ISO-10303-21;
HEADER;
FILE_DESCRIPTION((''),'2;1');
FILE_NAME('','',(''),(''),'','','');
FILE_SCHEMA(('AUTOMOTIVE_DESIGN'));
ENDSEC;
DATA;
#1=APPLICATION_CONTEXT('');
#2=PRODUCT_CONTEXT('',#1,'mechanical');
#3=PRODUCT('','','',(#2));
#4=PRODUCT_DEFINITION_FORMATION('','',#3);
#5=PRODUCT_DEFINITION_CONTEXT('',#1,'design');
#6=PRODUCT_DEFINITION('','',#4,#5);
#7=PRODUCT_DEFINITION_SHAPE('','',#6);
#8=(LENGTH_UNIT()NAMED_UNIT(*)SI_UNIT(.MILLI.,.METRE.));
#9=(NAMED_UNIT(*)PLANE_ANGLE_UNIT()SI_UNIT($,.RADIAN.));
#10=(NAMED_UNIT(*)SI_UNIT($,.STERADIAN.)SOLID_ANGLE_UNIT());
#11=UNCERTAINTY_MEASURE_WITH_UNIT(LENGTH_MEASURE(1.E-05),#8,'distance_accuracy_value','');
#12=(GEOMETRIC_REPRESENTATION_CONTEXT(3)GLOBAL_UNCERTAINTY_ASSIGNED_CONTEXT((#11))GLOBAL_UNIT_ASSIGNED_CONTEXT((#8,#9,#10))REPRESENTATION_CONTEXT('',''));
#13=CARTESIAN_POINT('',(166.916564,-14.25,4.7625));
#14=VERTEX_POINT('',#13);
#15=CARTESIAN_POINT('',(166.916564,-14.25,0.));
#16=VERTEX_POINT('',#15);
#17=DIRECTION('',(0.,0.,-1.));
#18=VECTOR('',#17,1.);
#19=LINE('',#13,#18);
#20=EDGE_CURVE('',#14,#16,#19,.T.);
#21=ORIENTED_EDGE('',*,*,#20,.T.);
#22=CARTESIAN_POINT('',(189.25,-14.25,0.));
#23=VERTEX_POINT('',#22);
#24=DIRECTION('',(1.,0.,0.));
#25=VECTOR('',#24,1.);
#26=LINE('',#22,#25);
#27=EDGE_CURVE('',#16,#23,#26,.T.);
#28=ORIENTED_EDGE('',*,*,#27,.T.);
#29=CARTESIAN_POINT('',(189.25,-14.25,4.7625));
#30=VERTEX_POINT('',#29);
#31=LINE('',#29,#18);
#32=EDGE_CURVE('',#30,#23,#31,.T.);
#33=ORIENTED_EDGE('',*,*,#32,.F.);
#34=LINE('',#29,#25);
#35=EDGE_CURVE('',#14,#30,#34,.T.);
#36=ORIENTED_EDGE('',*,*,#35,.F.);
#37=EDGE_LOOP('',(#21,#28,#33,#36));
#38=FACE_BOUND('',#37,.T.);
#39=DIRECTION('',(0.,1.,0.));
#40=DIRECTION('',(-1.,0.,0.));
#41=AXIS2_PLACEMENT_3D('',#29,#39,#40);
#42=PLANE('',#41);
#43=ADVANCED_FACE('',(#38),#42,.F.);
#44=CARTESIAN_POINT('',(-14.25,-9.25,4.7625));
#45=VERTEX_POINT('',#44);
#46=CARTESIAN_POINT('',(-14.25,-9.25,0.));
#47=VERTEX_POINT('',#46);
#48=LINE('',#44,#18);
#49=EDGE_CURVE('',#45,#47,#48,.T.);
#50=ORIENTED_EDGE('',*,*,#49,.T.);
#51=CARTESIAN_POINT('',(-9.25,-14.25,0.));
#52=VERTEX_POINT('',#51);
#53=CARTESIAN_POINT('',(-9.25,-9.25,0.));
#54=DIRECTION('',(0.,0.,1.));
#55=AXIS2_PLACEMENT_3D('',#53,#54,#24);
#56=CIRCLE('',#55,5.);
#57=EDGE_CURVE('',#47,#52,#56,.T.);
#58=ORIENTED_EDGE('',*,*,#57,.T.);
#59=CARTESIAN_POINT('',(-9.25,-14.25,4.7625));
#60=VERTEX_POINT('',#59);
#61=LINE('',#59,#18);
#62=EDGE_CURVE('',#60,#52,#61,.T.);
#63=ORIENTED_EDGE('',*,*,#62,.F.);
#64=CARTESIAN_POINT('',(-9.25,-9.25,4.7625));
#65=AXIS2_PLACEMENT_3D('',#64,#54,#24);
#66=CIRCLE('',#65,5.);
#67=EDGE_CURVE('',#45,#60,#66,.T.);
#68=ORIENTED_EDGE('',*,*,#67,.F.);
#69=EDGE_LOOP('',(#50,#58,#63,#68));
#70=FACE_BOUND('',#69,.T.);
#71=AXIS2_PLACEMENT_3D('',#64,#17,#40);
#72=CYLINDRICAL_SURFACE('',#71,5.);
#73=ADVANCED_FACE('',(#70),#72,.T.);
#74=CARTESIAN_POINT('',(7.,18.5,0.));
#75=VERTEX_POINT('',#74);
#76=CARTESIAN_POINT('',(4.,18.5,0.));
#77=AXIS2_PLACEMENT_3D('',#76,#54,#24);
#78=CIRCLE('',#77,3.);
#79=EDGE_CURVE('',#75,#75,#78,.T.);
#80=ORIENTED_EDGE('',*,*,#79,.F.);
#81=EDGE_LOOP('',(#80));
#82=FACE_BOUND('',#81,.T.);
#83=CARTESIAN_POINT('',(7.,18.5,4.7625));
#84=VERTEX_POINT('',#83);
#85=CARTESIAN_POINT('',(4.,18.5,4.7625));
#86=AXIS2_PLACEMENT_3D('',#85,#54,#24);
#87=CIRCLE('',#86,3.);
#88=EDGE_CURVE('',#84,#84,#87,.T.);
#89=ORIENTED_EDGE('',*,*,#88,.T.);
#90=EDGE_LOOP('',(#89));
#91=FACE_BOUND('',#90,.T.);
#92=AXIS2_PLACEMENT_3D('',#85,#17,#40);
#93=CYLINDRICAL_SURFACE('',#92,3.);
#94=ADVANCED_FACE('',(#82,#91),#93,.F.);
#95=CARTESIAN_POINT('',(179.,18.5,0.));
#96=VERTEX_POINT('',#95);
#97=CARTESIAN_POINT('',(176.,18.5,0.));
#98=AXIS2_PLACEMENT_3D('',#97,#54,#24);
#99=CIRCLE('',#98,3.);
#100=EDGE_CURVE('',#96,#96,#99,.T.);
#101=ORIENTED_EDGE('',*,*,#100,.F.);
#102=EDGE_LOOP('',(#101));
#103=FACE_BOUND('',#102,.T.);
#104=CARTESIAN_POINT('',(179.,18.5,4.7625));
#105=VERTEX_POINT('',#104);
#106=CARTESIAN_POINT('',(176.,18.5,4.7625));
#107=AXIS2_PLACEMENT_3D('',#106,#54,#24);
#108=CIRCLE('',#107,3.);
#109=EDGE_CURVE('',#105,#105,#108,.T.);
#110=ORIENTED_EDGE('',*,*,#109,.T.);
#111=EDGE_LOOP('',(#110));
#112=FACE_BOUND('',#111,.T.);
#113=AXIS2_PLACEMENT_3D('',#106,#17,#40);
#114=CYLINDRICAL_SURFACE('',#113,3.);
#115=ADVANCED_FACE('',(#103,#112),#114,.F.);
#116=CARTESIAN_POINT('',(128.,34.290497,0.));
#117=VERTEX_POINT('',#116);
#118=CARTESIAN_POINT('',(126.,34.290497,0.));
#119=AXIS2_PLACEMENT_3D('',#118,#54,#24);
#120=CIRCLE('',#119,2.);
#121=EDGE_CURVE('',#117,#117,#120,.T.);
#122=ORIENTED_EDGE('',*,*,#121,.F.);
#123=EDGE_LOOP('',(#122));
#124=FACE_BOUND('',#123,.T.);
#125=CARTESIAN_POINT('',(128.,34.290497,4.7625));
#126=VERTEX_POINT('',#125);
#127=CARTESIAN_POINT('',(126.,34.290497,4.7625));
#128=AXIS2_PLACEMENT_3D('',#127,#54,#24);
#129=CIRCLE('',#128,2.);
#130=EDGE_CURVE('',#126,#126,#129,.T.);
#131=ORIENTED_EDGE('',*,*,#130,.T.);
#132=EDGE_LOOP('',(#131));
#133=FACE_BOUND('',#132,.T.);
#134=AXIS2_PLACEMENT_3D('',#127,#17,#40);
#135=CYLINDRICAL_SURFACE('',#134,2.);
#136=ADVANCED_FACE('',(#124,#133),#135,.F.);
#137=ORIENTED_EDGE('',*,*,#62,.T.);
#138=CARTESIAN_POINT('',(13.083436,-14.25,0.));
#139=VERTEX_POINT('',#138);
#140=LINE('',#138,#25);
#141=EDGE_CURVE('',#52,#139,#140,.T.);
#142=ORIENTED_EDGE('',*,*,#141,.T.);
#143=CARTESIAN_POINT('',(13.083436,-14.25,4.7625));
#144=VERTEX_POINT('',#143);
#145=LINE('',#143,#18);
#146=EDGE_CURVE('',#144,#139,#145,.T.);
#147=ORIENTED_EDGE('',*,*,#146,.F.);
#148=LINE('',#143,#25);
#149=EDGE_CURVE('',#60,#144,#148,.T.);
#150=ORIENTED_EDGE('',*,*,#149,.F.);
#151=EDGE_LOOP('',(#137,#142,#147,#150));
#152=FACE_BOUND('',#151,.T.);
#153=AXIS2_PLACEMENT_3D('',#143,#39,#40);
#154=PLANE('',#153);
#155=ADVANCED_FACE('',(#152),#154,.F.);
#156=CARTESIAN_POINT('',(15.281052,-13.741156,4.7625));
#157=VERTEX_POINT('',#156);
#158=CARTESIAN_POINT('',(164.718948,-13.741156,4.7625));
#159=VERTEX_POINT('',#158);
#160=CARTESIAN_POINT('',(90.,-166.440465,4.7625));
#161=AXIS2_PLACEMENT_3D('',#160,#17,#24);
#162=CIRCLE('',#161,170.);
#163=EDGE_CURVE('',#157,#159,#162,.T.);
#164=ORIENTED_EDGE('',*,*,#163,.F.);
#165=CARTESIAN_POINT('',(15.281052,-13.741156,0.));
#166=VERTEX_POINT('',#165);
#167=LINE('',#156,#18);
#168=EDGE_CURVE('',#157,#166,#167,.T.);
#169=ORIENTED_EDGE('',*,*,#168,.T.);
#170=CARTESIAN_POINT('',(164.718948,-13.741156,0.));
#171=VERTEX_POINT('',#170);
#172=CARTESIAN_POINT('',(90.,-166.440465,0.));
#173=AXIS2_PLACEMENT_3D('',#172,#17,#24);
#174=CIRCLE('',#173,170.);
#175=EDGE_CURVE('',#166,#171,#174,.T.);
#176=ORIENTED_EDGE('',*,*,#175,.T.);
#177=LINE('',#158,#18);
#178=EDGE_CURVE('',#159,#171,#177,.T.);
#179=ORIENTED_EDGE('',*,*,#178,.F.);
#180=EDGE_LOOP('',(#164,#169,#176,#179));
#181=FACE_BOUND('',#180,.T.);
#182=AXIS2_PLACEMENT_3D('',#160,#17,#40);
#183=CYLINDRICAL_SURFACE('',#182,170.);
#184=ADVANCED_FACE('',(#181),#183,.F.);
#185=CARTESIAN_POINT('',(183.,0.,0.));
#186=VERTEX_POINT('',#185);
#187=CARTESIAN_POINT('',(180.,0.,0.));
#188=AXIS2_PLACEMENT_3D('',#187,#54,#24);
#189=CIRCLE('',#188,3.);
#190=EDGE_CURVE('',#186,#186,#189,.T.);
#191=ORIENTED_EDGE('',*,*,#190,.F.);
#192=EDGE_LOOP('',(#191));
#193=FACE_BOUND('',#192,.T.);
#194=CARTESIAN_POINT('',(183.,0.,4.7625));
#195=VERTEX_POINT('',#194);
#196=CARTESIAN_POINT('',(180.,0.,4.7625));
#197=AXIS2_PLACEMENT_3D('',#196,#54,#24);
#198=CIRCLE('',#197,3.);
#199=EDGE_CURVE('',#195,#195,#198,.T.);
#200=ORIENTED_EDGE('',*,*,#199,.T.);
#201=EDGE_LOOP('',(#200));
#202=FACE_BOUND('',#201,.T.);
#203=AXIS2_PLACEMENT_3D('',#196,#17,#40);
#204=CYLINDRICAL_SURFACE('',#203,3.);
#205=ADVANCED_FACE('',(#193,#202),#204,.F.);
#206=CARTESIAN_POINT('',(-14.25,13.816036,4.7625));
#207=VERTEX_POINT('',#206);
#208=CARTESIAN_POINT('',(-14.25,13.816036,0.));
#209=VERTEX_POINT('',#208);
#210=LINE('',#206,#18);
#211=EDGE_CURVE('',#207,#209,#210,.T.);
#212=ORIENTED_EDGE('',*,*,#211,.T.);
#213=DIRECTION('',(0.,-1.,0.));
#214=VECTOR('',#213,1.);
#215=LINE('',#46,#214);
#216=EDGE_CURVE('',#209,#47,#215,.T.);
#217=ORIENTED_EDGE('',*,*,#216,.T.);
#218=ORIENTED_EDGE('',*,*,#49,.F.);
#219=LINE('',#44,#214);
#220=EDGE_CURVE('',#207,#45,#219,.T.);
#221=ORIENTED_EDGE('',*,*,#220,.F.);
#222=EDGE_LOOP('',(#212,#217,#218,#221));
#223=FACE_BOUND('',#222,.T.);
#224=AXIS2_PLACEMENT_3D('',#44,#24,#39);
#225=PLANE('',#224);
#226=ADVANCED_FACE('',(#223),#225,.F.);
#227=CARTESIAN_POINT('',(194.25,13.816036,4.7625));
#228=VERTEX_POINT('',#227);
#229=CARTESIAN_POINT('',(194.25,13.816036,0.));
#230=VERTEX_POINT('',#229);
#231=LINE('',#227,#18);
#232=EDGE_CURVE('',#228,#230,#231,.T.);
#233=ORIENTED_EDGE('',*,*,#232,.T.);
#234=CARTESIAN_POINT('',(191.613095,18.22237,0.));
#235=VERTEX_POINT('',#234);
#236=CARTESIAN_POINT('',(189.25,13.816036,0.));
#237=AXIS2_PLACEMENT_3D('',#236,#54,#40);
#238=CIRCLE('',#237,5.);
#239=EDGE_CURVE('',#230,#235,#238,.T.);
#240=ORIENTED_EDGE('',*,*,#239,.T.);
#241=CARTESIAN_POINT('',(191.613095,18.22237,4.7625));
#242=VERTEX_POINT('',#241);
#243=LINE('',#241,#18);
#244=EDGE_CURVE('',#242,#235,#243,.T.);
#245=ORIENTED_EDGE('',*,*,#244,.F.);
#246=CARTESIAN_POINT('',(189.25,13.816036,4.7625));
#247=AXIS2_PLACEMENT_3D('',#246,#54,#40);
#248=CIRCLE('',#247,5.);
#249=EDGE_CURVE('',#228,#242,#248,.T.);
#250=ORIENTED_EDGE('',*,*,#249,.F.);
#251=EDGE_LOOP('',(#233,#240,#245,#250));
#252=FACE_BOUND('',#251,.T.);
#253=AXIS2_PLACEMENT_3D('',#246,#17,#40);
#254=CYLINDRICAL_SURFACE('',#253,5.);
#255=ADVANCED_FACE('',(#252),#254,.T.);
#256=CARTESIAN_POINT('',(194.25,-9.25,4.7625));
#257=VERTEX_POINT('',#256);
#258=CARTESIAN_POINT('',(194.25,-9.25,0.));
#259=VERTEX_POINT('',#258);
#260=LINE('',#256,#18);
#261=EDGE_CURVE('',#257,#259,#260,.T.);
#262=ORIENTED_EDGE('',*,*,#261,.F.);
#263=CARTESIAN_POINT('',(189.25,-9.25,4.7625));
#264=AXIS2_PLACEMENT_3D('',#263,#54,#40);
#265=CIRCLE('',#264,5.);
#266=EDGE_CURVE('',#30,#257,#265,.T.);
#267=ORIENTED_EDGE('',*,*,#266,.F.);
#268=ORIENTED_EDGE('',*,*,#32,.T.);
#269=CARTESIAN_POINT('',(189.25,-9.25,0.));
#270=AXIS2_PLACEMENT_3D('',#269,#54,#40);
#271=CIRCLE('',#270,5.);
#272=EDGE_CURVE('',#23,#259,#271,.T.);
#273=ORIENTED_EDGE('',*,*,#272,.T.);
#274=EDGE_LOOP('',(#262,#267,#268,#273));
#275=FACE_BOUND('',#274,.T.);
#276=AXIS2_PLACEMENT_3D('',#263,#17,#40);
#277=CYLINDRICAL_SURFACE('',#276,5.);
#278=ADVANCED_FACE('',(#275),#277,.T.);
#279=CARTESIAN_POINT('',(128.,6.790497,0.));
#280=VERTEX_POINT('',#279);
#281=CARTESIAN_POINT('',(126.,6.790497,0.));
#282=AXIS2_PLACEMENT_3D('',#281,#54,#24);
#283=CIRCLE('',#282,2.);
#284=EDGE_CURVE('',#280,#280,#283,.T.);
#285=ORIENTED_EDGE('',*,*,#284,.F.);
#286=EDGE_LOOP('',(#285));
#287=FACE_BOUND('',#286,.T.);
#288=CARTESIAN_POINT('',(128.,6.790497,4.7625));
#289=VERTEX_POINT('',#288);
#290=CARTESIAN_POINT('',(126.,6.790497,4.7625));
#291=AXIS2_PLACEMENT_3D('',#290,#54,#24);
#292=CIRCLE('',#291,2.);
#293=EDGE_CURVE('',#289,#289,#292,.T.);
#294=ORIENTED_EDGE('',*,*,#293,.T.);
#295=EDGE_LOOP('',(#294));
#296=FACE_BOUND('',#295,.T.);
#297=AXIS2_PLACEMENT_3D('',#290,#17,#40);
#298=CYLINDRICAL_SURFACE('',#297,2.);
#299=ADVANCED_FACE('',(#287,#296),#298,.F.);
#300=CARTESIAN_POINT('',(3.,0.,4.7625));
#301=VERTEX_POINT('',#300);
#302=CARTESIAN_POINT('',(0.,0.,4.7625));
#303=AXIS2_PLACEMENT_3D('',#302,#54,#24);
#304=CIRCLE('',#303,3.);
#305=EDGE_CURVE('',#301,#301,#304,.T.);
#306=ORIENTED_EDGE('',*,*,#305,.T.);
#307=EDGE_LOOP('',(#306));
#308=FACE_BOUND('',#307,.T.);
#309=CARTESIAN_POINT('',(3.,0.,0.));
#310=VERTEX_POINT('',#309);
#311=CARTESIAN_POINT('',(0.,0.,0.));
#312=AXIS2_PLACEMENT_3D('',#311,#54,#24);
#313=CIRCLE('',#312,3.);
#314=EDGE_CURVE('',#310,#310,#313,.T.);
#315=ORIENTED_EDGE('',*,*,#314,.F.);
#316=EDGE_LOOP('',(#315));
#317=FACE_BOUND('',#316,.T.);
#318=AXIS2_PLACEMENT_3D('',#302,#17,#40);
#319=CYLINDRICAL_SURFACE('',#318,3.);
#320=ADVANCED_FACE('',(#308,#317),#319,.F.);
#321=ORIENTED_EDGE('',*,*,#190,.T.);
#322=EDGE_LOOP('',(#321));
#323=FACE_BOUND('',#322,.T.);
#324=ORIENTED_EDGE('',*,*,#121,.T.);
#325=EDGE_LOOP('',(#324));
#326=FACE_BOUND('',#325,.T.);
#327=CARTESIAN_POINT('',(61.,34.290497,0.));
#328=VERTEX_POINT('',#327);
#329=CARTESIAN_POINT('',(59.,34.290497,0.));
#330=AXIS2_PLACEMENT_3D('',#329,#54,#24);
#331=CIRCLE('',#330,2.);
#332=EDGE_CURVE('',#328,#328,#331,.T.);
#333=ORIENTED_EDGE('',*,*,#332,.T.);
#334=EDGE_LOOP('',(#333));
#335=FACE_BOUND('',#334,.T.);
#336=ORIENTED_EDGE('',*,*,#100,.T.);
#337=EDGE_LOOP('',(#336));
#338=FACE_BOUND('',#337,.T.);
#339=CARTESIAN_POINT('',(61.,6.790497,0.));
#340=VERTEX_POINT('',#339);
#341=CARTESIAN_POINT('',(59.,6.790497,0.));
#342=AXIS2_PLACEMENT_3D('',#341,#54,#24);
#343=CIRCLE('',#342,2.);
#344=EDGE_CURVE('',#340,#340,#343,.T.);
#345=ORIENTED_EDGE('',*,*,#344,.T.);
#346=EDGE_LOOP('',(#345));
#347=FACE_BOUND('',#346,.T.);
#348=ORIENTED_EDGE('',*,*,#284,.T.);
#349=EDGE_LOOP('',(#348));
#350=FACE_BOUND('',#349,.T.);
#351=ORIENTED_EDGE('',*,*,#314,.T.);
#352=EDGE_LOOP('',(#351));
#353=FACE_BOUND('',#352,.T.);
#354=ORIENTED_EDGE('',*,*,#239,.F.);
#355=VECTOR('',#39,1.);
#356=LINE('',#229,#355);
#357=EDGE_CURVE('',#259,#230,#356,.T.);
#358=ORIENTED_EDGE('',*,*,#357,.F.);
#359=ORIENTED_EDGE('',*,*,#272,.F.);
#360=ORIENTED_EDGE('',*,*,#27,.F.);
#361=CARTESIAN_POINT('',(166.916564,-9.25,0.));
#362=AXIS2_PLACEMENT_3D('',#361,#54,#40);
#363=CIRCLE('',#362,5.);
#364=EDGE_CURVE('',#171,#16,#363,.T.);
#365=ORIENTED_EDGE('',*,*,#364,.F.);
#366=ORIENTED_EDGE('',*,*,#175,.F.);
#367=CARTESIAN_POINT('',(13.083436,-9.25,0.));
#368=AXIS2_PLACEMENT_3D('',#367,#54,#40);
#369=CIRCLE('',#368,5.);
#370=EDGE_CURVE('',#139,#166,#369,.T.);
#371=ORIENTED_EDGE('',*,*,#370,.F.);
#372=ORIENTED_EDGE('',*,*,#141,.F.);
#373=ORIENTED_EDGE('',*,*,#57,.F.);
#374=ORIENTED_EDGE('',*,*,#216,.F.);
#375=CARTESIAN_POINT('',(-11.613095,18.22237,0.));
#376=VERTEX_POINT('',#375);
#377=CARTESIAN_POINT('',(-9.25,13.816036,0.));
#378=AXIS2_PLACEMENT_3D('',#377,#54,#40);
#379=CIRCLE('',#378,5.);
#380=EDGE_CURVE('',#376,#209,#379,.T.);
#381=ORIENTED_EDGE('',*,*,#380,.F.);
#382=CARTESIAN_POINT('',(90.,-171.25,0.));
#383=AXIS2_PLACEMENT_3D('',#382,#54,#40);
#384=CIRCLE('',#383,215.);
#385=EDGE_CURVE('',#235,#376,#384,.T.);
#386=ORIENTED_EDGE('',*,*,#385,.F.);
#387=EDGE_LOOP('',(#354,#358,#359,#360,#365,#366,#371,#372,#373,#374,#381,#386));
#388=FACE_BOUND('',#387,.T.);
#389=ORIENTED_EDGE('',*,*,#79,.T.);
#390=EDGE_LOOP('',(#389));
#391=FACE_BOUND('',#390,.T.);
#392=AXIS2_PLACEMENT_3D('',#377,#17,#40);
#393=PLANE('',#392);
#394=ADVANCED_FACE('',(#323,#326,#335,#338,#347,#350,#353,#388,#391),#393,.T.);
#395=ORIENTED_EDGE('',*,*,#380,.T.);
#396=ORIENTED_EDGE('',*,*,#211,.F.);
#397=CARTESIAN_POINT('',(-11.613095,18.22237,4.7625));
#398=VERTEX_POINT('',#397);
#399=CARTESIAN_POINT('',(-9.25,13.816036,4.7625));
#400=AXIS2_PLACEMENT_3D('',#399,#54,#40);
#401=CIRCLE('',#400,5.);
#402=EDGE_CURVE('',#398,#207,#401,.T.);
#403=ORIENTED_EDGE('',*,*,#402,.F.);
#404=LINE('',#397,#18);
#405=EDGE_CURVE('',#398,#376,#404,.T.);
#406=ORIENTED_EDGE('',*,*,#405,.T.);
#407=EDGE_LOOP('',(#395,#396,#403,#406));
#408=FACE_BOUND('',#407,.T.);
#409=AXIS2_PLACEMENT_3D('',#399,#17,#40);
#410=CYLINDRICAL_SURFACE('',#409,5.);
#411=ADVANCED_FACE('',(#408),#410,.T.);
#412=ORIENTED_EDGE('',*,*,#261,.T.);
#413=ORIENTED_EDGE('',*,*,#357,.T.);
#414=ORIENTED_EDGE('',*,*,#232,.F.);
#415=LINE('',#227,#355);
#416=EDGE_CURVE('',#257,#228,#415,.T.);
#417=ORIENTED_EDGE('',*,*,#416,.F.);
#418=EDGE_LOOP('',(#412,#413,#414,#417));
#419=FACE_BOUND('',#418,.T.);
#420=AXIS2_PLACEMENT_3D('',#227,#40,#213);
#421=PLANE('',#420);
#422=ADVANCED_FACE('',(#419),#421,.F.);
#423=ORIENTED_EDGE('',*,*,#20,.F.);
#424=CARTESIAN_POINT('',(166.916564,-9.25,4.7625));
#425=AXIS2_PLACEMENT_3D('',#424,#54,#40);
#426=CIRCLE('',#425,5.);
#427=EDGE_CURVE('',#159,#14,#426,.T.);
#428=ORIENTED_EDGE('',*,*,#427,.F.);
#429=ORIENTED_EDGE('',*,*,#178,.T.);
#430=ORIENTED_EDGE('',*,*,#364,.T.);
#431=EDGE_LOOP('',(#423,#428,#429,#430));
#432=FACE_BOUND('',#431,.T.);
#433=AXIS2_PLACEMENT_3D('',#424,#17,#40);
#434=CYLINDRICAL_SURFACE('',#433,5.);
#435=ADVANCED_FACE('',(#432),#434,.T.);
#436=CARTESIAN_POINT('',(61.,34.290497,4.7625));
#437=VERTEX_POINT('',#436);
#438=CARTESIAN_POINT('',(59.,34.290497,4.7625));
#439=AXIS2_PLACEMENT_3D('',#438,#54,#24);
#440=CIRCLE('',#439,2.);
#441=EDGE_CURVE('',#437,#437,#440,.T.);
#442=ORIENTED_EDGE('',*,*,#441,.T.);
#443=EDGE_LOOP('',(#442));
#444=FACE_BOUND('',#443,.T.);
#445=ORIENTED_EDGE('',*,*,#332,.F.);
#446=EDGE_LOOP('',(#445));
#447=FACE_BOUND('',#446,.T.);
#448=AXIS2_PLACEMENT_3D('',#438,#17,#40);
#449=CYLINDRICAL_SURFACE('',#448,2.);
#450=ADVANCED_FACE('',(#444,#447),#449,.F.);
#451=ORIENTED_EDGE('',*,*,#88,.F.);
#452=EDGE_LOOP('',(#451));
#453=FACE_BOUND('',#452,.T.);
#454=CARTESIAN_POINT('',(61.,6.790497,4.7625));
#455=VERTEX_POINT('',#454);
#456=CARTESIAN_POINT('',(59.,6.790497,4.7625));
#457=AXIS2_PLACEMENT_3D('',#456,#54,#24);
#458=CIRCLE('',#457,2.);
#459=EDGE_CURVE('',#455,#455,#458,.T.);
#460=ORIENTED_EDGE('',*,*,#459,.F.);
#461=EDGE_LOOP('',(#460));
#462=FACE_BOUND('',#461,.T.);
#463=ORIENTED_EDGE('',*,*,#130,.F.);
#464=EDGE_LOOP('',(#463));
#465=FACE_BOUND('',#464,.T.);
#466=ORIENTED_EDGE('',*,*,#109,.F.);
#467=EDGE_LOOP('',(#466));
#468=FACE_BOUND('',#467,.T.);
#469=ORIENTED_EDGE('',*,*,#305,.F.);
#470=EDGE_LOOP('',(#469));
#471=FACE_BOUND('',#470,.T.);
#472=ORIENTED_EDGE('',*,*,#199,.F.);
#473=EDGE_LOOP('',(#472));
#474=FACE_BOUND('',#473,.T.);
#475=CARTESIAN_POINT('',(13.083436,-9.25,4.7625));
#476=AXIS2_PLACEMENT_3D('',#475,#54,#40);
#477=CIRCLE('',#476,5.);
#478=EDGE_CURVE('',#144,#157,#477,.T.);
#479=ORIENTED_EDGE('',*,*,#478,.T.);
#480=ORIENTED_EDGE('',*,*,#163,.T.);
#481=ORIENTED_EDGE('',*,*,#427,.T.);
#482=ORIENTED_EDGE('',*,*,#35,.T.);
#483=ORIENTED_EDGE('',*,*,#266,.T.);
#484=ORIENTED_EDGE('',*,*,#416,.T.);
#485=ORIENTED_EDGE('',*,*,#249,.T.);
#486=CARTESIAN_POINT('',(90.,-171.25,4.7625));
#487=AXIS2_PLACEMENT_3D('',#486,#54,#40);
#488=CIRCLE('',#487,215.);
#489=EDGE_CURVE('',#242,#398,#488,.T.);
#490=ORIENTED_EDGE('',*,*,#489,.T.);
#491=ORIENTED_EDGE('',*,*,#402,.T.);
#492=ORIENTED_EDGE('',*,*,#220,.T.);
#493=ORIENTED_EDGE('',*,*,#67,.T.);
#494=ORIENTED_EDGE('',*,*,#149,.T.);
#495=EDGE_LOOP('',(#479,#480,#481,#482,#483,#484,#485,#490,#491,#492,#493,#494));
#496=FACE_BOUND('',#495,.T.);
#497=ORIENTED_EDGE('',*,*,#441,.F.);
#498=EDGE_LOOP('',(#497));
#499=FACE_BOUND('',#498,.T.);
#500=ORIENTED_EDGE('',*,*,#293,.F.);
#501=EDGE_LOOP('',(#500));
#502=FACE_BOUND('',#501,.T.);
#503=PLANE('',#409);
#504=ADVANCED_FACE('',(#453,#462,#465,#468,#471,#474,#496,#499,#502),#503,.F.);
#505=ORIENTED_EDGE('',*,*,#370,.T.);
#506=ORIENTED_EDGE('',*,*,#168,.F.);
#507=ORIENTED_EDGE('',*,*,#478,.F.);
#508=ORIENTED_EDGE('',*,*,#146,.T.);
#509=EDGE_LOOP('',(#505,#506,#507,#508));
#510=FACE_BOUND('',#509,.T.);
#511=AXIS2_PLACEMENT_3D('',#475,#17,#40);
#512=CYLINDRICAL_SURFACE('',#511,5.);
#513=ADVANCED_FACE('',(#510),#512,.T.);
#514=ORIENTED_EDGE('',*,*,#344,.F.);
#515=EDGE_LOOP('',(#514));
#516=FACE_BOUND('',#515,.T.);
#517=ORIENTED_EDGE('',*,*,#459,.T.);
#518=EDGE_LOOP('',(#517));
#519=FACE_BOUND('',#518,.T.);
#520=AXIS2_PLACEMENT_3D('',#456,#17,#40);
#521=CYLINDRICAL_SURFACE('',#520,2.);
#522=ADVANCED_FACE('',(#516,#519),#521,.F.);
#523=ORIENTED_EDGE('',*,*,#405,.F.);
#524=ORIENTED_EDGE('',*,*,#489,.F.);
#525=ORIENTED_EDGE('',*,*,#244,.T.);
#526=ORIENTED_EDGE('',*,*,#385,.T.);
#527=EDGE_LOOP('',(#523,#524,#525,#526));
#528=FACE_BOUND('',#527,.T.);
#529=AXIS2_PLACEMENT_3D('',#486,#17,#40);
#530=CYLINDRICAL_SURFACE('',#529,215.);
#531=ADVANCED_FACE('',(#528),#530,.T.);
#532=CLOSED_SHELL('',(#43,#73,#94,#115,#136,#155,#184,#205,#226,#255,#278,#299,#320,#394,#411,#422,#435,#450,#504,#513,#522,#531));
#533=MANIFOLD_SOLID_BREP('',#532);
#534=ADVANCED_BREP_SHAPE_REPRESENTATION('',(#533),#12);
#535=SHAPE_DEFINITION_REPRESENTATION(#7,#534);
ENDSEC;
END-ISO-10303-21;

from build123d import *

# Parameters (mm, degrees)
SKETCH1_R           = 2
SKETCH1_R_2         = 3
BOSS_EXTRUDE1_DEPTH = 4.7625


with BuildPart() as part:
    # Sketch1 → Boss-Extrude1 (new body)
    with BuildSketch(Plane.XY):
        with BuildLine():
            Line((-14.25, -9.25), (-14.25, 13.816035512))
            ThreePointArc((-14.25, 13.816035512), (-13.540423999, 16.383575561), (-11.613095238, 18.222369691))
            ThreePointArc((-11.613095238, 18.222369691), (90, 43.75), (191.613095238, 18.222369691))
            ThreePointArc((191.613095238, 18.222369691), (193.540423999, 16.383575561), (194.25, 13.816035512))
            Line((194.25, 13.816035512), (194.25, -9.25))
            ThreePointArc((194.25, -9.25), (192.785533906, -12.785533906), (189.25, -14.25))
            Line((189.25, -14.25), (166.91656424, -14.25))
            ThreePointArc((166.91656424, -14.25), (165.788685845, -14.121128239), (164.718948119, -13.74115613))
            ThreePointArc((164.718948119, -13.74115613), (90, 3.55953545), (15.281051881, -13.74115613))
            ThreePointArc((15.281051881, -13.74115613), (14.211314155, -14.121128239), (13.08343576, -14.25))
            Line((13.08343576, -14.25), (-9.25, -14.25))
            ThreePointArc((-9.25, -14.25), (-12.785533906, -12.785533906), (-14.25, -9.25))
        make_face()
        with Locations((59, 34.290496826)):
            Circle(SKETCH1_R, mode=Mode.SUBTRACT)
        with Locations((59, 6.790496826)):
            Circle(SKETCH1_R, mode=Mode.SUBTRACT)
        with Locations((126, 34.290496826)):
            Circle(SKETCH1_R, mode=Mode.SUBTRACT)
        with Locations((126, 6.790496826)):
            Circle(SKETCH1_R, mode=Mode.SUBTRACT)
        with Locations((180, 0)):
            Circle(SKETCH1_R_2, mode=Mode.SUBTRACT)
        Circle(SKETCH1_R_2, mode=Mode.SUBTRACT)
        with Locations((4, 18.5)):
            Circle(SKETCH1_R_2, mode=Mode.SUBTRACT)
        with Locations((176, 18.5)):
            Circle(SKETCH1_R_2, mode=Mode.SUBTRACT)
    extrude(amount=BOSS_EXTRUDE1_DEPTH)


solid = part.part
